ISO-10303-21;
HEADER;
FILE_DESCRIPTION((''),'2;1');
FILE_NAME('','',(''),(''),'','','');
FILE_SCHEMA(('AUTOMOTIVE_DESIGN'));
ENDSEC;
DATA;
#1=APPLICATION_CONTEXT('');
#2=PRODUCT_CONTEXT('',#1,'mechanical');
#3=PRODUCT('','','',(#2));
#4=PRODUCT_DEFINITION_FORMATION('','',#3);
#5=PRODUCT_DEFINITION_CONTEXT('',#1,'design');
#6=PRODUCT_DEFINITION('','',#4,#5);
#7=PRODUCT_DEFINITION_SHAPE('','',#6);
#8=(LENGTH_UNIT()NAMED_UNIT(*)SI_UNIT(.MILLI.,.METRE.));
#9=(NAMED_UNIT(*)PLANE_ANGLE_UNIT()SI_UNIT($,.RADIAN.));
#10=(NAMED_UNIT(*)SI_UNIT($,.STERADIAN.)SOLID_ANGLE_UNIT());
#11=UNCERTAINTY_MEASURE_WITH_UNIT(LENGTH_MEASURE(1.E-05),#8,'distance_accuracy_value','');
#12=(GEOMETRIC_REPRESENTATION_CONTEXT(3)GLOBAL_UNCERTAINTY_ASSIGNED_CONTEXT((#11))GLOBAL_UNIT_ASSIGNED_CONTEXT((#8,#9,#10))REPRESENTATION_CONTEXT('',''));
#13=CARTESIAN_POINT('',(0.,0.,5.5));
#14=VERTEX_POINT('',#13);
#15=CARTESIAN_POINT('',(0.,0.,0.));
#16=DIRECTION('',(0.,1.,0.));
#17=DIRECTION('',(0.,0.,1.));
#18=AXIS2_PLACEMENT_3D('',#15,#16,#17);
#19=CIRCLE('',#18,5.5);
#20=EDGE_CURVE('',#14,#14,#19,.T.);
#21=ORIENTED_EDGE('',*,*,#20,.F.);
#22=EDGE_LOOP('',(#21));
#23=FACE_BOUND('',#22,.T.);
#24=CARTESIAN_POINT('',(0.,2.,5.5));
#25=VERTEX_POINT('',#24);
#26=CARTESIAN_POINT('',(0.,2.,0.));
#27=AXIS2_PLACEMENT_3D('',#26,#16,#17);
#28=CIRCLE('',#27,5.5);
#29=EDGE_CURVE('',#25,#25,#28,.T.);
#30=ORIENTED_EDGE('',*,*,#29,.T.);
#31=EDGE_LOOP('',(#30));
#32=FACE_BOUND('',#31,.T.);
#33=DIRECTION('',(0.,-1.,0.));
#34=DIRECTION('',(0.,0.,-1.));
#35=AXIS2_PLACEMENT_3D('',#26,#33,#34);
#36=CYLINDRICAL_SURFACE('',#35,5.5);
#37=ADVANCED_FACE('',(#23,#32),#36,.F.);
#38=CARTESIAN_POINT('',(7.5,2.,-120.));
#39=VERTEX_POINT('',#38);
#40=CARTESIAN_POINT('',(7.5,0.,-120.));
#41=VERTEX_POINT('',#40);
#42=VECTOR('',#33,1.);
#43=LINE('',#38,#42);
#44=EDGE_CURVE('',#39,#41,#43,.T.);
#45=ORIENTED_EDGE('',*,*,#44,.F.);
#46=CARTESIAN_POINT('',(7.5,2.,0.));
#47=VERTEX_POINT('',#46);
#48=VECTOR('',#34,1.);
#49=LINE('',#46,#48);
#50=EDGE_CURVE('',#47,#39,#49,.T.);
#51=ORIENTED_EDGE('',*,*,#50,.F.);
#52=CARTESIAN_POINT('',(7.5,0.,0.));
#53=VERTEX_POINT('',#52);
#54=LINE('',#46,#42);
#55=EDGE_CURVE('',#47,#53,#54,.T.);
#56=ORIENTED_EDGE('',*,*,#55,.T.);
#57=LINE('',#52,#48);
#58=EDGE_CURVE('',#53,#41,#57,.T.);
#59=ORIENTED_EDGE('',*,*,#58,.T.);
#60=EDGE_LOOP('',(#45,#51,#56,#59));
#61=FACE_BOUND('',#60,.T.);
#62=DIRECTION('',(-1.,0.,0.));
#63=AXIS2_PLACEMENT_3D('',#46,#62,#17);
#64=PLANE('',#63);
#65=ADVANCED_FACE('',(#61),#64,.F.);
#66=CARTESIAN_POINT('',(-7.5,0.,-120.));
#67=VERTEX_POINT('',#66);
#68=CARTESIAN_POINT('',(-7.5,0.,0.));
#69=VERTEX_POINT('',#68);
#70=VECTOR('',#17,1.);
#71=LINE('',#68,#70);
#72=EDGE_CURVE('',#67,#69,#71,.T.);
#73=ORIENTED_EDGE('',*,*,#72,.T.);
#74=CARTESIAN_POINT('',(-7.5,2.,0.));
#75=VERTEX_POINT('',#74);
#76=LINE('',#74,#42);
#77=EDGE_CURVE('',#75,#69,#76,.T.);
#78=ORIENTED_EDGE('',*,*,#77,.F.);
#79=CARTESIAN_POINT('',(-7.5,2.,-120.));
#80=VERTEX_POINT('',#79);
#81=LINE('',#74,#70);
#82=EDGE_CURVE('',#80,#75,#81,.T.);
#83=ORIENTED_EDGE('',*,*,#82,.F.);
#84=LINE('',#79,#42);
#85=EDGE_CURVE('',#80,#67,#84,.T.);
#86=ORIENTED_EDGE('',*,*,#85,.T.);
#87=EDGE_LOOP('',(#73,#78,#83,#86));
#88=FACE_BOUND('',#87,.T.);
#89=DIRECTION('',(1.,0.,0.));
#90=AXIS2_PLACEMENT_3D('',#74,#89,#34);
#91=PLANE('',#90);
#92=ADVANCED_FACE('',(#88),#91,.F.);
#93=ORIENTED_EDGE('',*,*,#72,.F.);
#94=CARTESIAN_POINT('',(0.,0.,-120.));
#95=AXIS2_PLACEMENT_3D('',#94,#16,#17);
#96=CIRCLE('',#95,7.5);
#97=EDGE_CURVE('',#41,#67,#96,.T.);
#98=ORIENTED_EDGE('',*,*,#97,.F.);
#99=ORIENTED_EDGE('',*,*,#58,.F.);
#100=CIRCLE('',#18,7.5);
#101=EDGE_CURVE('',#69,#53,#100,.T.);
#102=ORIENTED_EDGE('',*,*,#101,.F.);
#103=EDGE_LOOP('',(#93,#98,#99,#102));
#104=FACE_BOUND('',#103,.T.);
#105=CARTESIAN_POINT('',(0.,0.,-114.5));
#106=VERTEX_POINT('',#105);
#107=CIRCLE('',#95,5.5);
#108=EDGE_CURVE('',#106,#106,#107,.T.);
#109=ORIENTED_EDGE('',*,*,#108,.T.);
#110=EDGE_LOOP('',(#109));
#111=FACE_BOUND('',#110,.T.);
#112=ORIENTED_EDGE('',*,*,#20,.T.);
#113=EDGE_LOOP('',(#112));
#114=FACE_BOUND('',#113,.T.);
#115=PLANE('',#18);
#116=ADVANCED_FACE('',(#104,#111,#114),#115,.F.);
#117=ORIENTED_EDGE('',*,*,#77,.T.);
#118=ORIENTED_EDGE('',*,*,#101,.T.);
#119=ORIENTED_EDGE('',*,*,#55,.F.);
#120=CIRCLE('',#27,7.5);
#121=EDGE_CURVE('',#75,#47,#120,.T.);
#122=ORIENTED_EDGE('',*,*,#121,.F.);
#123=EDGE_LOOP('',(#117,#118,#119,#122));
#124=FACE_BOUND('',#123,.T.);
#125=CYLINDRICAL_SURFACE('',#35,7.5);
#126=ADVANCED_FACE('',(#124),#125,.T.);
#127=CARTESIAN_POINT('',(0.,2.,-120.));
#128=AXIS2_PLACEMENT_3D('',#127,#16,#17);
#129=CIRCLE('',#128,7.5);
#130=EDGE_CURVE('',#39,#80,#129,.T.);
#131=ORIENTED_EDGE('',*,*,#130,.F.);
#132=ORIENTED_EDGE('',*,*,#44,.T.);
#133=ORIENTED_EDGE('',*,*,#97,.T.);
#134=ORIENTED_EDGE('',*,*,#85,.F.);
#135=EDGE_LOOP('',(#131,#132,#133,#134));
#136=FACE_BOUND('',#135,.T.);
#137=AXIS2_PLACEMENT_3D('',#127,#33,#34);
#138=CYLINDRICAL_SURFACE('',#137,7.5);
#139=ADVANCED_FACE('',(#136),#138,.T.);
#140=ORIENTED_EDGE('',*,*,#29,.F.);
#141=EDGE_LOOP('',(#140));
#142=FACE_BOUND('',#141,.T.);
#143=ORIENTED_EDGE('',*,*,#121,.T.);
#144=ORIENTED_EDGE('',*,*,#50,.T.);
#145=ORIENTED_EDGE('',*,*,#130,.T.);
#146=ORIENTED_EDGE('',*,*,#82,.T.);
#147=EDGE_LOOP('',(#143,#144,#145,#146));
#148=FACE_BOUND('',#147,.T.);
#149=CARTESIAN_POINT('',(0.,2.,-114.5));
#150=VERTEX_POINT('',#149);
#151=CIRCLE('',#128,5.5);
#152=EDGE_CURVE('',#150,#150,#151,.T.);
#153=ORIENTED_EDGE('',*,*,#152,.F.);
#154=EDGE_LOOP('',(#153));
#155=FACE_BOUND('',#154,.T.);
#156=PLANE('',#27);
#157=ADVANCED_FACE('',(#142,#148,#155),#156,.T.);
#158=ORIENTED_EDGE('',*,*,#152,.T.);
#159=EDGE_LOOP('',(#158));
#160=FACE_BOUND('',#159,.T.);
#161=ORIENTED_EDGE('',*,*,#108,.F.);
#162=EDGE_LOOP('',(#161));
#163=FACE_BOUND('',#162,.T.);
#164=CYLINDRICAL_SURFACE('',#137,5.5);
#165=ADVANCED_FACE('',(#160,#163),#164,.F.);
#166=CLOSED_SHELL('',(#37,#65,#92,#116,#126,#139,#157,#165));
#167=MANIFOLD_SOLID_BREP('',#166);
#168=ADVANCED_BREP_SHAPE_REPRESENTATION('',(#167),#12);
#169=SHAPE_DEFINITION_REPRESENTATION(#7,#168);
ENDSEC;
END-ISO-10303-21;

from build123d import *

# Parameters (mm, degrees)
SKETCH1_R           = 5.5
BOSS_EXTRUDE1_DEPTH = 2


with BuildPart() as part:
    # Sketch1 → Boss-Extrude1 (new body)
    with BuildSketch(Plane(origin=(0, 0, 0), x_dir=(1, 0, 0), z_dir=(0, 1, 0))):
        with BuildLine():
            Line((-7.5, 0), (-7.5, 120))
            ThreePointArc((-7.5, 120), (0, 127.5), (7.5, 120))
            Line((7.5, 120), (7.5, 0))
            ThreePointArc((7.5, 0), (0, -7.5), (-7.5, 0))
        make_face()
        with Locations(Location((0, 120, 0), (0, 0, 270))):
            Circle(SKETCH1_R, mode=Mode.SUBTRACT)
        with Locations(Location((0, 0, 0), (0, 0, 270))):
            Circle(SKETCH1_R, mode=Mode.SUBTRACT)
    extrude(amount=BOSS_EXTRUDE1_DEPTH)


solid = part.part
